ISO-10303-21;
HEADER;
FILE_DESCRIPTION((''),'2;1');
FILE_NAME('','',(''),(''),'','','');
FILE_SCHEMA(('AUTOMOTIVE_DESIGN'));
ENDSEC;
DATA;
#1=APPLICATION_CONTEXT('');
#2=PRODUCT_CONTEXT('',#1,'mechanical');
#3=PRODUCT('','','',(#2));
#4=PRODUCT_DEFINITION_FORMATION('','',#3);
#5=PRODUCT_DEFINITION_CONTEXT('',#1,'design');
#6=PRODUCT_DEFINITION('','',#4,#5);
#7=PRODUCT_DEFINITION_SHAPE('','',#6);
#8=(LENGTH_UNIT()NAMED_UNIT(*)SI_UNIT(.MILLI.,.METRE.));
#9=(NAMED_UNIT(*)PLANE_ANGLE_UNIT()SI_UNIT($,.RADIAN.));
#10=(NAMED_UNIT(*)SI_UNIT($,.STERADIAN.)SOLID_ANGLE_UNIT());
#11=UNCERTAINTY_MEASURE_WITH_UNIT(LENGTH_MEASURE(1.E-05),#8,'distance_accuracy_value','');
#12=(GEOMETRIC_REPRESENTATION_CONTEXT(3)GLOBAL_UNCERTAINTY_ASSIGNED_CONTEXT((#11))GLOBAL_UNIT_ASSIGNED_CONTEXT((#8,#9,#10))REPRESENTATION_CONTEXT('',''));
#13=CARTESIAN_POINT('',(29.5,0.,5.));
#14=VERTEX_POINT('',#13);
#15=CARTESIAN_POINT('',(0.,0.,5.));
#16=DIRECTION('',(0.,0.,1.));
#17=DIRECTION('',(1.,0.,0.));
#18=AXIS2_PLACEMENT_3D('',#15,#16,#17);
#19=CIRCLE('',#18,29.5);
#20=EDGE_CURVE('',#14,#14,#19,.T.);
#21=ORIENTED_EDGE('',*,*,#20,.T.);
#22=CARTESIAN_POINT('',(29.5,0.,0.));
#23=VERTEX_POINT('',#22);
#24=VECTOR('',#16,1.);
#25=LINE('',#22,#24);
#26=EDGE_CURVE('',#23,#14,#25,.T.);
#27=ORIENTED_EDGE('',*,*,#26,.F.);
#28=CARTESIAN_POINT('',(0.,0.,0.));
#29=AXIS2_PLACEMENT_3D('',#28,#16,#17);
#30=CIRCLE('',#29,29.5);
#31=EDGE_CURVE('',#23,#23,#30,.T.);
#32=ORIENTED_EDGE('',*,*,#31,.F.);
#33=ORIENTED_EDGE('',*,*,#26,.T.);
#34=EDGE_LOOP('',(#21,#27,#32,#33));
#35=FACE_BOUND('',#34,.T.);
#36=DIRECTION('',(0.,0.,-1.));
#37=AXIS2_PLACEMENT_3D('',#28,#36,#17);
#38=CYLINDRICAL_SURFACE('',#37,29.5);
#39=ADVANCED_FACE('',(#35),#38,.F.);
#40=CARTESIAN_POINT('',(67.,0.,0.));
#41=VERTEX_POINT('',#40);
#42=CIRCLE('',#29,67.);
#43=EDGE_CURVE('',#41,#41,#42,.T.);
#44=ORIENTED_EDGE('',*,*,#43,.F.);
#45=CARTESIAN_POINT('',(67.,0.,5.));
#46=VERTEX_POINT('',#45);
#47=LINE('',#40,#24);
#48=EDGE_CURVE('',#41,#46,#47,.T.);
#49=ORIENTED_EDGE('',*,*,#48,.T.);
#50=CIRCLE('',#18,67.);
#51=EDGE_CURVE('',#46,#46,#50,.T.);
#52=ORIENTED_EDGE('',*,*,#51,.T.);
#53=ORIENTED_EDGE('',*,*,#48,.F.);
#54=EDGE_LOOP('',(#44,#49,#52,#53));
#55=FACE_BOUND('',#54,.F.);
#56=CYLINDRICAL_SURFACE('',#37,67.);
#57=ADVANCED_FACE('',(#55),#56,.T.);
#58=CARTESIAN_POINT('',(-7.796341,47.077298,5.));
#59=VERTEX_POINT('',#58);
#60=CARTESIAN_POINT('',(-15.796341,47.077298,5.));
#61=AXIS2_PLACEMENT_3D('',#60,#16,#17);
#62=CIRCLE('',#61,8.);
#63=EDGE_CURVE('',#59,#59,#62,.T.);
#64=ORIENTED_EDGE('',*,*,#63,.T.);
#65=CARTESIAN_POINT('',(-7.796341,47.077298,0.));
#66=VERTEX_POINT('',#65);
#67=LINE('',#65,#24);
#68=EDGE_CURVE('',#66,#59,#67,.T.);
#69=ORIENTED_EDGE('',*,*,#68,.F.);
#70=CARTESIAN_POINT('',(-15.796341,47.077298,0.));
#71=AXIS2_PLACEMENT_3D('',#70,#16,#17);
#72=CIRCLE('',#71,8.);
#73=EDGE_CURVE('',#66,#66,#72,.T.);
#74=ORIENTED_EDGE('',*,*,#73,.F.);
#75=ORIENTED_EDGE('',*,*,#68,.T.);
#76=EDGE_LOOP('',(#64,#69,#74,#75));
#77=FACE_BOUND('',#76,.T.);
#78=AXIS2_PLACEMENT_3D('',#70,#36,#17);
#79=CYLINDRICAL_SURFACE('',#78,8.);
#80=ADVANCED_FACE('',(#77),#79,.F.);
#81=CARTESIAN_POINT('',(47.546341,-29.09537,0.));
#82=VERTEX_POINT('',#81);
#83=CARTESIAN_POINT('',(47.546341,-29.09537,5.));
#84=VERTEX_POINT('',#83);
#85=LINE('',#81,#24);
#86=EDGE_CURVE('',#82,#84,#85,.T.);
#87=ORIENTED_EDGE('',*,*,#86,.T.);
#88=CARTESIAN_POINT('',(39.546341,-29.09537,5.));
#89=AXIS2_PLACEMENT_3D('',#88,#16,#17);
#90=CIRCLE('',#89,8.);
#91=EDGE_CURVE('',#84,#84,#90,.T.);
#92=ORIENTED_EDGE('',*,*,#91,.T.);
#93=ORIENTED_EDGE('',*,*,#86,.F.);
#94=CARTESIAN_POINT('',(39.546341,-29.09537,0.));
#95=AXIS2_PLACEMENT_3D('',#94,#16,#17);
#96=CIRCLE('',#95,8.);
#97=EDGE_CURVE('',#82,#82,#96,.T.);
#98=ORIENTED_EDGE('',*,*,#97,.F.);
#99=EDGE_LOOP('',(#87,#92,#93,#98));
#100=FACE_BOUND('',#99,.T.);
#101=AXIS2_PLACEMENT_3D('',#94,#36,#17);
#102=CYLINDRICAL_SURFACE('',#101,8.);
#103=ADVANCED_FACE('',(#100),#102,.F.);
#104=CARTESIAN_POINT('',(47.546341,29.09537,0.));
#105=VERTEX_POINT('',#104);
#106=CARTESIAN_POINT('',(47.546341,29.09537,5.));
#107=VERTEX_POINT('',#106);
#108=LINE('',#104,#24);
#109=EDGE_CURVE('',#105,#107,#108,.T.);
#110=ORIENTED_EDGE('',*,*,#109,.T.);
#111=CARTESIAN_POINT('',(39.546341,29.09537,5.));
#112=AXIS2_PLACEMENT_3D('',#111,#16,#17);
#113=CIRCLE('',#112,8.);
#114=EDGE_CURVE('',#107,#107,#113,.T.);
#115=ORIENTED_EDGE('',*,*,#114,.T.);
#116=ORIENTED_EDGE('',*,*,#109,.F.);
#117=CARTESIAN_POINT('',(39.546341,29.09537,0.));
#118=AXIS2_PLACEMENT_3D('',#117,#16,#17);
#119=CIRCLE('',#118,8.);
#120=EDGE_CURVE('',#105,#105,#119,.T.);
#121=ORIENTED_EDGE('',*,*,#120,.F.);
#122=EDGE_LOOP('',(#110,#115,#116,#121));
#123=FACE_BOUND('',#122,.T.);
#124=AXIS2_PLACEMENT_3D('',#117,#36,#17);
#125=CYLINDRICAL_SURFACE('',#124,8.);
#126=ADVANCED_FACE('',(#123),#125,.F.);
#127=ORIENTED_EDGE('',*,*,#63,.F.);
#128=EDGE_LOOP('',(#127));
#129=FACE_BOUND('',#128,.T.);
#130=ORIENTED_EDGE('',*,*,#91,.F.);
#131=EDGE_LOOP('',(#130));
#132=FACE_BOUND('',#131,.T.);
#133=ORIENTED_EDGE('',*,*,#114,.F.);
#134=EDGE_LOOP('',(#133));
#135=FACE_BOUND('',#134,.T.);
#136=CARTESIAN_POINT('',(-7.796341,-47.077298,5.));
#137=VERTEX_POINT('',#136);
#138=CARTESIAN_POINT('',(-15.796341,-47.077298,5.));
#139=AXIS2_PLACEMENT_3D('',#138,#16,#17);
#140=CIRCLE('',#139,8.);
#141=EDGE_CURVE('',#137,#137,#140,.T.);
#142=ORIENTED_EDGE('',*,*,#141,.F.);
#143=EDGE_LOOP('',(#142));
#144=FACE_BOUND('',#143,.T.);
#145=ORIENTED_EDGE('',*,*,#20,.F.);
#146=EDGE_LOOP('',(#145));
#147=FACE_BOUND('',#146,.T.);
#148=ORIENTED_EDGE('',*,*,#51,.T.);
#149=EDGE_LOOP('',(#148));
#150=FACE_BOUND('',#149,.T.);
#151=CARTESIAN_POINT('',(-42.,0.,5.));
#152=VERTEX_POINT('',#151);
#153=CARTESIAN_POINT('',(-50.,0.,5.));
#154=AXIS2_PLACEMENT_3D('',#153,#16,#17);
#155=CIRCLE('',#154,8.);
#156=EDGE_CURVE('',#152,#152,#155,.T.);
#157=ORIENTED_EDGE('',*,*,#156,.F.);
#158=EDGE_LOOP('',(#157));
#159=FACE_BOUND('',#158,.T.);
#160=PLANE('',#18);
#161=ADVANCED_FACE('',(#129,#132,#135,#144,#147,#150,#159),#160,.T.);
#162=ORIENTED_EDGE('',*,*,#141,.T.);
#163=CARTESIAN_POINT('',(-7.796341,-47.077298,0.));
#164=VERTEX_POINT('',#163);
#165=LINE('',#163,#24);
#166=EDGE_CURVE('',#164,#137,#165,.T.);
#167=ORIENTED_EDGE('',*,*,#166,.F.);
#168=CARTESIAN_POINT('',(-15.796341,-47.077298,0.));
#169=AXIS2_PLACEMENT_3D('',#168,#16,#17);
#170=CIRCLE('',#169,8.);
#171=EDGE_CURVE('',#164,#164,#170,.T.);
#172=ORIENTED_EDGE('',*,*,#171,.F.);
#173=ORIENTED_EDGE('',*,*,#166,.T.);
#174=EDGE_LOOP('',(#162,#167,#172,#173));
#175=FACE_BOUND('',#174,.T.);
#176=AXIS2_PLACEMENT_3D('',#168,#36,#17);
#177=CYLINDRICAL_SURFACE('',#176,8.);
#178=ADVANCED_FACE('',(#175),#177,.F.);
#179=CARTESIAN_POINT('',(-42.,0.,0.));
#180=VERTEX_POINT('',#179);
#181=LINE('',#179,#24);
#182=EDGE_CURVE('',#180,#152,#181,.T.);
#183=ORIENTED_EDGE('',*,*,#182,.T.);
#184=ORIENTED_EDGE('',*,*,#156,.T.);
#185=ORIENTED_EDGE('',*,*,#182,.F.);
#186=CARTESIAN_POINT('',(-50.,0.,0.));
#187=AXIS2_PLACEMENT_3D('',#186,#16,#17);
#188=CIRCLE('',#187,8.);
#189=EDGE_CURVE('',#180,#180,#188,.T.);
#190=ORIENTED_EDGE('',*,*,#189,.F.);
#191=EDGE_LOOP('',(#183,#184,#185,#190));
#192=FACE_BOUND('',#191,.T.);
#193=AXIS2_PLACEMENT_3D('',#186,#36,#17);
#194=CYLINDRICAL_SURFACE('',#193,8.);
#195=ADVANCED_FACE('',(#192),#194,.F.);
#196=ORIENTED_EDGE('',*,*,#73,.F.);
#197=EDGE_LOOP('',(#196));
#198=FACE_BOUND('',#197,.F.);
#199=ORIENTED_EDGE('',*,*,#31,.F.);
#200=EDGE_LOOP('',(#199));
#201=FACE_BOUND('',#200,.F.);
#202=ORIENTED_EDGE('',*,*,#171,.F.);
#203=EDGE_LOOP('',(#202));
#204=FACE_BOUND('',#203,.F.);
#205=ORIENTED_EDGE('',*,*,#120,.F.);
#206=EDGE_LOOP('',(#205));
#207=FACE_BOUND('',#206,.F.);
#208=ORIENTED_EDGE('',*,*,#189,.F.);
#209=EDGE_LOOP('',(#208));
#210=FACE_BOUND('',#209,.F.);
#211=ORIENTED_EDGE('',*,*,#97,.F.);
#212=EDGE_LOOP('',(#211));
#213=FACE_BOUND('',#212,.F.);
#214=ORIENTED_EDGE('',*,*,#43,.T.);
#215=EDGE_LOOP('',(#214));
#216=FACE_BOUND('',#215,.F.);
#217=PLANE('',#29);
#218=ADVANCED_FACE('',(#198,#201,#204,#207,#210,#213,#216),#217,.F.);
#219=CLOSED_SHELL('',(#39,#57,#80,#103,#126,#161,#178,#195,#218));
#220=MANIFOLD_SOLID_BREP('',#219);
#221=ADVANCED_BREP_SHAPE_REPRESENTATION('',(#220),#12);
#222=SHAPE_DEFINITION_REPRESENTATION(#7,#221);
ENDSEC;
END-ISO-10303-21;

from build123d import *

# Parameters (mm, degrees)
F0_R     = 67
F0_R_2   = 8
F0_R_3   = 29.5
F1_DEPTH = 5


with BuildPart() as f1:
    # F0 (on Top) → F1 (new body)
    with BuildSketch(Plane.XY):
        Circle(F0_R)
        with Locations((-15.796341, -47.077298)):
            Circle(F0_R_2, mode=Mode.SUBTRACT)
        with Locations((39.546341, -29.09537)):
            Circle(F0_R_2, mode=Mode.SUBTRACT)
        with Locations((-50, 0)):
            Circle(F0_R_2, mode=Mode.SUBTRACT)
        with Locations((-15.796341, 47.077298)):
            Circle(F0_R_2, mode=Mode.SUBTRACT)
        Circle(F0_R_3, mode=Mode.SUBTRACT)
        with Locations((39.546341, 29.09537)):
            Circle(F0_R_2, mode=Mode.SUBTRACT)
    extrude(amount=F1_DEPTH)


solid = f1.part
